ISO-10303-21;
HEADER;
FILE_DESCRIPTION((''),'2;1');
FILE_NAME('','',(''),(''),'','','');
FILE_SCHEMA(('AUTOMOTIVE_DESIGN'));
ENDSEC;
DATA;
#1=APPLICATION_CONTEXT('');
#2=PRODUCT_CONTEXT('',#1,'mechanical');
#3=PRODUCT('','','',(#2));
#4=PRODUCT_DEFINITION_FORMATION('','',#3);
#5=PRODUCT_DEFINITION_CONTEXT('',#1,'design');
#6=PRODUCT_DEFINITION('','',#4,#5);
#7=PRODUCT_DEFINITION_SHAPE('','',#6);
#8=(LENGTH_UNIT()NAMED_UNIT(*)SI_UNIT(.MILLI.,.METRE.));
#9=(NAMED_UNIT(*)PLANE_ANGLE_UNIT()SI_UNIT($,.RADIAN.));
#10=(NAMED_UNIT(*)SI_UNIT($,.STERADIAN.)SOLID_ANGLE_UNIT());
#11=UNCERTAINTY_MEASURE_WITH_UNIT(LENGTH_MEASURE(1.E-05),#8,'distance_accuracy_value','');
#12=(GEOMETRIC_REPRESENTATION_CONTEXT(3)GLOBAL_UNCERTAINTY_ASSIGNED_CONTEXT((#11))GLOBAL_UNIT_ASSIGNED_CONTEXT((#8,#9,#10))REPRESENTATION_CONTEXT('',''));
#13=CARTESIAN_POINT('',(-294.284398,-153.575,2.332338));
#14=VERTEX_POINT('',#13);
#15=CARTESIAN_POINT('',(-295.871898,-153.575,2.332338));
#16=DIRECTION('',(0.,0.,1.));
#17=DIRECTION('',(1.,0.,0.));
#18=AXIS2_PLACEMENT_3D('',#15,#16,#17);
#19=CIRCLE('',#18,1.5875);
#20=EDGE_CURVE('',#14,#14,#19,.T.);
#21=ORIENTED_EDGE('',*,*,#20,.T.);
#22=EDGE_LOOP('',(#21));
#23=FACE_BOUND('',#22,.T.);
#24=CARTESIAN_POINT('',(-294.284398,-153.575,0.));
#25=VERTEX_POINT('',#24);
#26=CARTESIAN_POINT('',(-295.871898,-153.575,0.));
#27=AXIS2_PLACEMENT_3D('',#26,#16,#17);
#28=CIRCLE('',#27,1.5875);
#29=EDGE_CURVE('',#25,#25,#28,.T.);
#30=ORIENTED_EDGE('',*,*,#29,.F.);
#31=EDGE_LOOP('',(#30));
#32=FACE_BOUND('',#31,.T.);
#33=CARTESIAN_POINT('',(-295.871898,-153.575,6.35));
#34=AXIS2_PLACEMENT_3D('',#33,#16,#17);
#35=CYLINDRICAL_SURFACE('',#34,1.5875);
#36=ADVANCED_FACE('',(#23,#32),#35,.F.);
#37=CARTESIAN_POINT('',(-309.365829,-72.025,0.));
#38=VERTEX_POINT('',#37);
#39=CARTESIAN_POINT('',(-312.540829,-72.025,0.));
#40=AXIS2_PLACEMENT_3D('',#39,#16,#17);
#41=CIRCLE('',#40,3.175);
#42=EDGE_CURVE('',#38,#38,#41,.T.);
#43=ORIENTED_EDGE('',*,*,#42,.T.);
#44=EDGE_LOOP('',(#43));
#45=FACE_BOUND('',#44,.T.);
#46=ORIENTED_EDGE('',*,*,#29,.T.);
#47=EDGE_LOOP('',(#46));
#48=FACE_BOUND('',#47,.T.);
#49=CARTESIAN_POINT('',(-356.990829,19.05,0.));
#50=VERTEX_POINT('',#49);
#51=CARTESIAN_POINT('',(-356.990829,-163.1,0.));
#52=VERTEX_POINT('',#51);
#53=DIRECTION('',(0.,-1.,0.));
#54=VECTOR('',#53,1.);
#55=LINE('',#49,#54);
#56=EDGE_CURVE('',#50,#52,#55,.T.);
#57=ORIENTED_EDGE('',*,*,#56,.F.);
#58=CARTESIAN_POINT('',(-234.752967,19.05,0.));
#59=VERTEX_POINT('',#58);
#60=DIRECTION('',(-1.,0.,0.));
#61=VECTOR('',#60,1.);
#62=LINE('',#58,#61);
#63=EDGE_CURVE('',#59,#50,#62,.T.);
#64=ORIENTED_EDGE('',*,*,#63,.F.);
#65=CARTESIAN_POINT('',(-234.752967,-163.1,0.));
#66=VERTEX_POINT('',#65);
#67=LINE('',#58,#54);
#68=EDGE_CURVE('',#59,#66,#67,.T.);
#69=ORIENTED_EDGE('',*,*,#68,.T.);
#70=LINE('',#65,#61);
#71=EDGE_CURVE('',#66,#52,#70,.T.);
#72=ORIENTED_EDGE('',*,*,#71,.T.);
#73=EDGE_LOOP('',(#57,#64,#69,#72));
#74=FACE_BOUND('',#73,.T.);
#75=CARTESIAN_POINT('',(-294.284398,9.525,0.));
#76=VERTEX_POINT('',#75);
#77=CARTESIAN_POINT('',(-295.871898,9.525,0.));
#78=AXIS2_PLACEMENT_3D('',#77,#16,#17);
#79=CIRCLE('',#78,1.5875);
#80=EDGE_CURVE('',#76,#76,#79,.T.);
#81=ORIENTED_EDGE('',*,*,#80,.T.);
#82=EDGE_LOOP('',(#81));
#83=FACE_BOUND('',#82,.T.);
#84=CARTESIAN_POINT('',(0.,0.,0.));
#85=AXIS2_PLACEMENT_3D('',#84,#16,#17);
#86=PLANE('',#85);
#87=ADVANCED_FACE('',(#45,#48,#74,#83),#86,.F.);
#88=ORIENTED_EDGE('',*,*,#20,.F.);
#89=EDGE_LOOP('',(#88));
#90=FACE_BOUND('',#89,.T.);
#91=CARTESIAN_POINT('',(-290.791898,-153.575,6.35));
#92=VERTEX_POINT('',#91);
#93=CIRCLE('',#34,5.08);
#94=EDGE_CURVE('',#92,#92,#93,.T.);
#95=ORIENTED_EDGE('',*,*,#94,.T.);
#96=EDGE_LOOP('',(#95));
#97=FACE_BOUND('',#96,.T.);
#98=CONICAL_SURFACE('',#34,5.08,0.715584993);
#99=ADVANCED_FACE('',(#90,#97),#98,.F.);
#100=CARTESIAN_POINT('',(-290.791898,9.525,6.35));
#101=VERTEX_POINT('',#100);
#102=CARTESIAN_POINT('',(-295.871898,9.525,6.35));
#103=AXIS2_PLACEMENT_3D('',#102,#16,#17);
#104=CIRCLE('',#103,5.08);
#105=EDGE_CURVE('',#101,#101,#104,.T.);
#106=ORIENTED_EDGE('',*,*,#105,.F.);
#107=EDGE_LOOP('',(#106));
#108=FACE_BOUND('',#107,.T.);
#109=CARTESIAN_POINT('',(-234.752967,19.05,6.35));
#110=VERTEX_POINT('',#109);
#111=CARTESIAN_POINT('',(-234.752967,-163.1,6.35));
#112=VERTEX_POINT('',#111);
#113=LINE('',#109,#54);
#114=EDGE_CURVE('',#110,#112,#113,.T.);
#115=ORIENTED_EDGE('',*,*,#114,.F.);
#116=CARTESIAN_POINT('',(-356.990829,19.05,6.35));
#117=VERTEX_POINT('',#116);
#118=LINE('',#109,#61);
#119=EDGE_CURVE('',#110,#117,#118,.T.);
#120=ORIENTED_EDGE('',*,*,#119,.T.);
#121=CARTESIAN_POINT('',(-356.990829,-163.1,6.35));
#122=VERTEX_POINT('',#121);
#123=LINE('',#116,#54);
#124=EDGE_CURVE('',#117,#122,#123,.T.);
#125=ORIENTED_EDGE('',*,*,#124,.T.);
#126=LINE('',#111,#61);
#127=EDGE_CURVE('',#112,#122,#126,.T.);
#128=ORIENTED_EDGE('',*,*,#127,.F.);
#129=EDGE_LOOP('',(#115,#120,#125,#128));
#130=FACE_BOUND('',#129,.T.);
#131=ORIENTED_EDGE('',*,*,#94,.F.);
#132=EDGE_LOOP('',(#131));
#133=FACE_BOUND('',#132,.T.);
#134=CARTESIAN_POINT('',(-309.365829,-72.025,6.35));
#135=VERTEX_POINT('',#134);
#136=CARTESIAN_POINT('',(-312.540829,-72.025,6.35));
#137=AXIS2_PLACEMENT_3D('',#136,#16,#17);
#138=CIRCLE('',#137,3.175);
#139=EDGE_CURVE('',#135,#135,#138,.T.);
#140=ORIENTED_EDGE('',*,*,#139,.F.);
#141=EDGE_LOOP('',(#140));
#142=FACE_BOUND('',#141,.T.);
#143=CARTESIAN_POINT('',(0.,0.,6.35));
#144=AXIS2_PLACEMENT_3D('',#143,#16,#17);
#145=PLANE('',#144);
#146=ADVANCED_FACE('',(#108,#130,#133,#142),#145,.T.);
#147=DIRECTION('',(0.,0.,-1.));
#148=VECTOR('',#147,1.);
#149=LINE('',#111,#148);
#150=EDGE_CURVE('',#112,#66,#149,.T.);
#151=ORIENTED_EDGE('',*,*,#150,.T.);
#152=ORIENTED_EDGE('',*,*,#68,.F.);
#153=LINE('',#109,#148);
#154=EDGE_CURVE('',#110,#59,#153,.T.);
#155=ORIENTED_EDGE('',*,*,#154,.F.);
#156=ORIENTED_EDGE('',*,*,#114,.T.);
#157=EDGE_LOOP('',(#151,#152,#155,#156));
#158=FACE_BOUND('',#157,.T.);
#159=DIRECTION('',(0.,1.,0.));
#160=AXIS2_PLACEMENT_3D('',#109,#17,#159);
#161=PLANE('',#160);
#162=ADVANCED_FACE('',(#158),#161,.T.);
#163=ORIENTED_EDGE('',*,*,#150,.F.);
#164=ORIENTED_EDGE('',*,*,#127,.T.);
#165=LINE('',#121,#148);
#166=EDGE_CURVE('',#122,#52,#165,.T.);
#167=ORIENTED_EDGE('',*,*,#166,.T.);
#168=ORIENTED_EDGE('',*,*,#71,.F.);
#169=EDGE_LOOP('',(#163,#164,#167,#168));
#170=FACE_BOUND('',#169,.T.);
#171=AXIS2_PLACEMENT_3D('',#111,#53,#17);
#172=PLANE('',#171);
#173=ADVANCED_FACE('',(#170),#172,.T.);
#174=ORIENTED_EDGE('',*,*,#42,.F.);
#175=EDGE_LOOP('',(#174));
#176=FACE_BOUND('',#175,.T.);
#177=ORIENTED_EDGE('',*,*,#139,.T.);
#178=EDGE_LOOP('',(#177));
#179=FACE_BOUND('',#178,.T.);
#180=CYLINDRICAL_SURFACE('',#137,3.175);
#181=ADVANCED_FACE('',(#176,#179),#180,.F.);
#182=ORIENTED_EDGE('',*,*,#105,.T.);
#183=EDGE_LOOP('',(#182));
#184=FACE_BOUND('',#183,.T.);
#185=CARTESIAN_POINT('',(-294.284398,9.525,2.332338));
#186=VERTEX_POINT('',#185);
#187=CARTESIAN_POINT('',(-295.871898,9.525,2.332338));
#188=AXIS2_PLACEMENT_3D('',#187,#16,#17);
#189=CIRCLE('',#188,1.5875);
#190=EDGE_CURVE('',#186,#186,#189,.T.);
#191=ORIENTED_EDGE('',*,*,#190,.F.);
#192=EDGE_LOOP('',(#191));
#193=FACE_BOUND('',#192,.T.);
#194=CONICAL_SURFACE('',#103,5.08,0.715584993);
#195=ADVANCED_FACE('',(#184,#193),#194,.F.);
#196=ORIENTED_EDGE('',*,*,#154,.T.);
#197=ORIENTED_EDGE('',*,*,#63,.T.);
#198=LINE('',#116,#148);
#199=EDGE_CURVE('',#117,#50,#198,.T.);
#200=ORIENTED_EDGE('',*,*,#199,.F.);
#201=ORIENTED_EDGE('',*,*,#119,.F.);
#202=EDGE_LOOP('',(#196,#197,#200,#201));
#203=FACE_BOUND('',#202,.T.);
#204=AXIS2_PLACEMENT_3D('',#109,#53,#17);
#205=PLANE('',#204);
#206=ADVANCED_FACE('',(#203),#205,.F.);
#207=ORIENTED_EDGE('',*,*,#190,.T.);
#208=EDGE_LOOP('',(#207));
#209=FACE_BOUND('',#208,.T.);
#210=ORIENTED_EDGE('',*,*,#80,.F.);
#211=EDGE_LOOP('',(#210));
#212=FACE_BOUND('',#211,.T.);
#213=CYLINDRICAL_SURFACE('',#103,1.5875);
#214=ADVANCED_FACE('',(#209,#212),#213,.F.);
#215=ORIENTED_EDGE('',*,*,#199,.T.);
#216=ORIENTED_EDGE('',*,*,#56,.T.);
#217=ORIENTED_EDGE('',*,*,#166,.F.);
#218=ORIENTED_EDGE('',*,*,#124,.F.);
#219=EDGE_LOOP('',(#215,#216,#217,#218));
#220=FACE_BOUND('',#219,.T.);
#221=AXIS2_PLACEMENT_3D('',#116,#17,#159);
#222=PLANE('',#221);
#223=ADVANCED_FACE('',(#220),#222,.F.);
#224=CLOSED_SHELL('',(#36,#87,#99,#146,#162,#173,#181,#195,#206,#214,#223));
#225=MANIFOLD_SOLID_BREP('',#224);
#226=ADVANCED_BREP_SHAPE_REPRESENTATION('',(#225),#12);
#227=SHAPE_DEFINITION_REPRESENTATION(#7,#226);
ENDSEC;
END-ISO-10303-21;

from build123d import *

# Parameters (mm, degrees)
SKETCH1_W                   = 122.237862113
SKETCH1_H                   = 182.149999994
BOSS_EXTRUDE1_DEPTH         = 6.35
F_1_4_0_25_DIAMETER_HOLE1_D = 6.35
HOLE1_D                     = 3.175
HOLE1_DEPTH                 = 31.75
HOLE1_CSINK_D               = 10.16
HOLE1_CSINK_ANGLE           = 82
HOLE1_TIP                   = 0.953866233


with BuildPart() as part:
    # Sketch1 → Boss-Extrude1 (new body)
    with BuildSketch(Plane.XY):
        with Locations((-295.871898238, -72.024999997)):
            Rectangle(SKETCH1_W, SKETCH1_H)
    extrude(amount=BOSS_EXTRUDE1_DEPTH)

    # 1/4 (0.25) Diameter Hole1 (through all)
    with Locations(Plane.XY.offset(6.35)):
        with Locations((-312.540829294, -72.024999997)):
            Hole(F_1_4_0_25_DIAMETER_HOLE1_D / 2)

    # Hole1
    with Locations(Plane(origin=(181.039434513, -72.024999997, 6.35), x_dir=(0, 1, 0), z_dir=(0, 0, 1))):
        with Locations((81.549999997, 476.911332751), (-81.549999997, 476.911332751)):
            CounterSinkHole(HOLE1_D / 2, HOLE1_CSINK_D / 2, depth=HOLE1_DEPTH, counter_sink_angle=HOLE1_CSINK_ANGLE)
            with Locations((0, 0, -(HOLE1_DEPTH + HOLE1_TIP / 2))):  # 118° drill point
                Cone(0, HOLE1_D / 2, HOLE1_TIP, mode=Mode.SUBTRACT)


solid = part.part
